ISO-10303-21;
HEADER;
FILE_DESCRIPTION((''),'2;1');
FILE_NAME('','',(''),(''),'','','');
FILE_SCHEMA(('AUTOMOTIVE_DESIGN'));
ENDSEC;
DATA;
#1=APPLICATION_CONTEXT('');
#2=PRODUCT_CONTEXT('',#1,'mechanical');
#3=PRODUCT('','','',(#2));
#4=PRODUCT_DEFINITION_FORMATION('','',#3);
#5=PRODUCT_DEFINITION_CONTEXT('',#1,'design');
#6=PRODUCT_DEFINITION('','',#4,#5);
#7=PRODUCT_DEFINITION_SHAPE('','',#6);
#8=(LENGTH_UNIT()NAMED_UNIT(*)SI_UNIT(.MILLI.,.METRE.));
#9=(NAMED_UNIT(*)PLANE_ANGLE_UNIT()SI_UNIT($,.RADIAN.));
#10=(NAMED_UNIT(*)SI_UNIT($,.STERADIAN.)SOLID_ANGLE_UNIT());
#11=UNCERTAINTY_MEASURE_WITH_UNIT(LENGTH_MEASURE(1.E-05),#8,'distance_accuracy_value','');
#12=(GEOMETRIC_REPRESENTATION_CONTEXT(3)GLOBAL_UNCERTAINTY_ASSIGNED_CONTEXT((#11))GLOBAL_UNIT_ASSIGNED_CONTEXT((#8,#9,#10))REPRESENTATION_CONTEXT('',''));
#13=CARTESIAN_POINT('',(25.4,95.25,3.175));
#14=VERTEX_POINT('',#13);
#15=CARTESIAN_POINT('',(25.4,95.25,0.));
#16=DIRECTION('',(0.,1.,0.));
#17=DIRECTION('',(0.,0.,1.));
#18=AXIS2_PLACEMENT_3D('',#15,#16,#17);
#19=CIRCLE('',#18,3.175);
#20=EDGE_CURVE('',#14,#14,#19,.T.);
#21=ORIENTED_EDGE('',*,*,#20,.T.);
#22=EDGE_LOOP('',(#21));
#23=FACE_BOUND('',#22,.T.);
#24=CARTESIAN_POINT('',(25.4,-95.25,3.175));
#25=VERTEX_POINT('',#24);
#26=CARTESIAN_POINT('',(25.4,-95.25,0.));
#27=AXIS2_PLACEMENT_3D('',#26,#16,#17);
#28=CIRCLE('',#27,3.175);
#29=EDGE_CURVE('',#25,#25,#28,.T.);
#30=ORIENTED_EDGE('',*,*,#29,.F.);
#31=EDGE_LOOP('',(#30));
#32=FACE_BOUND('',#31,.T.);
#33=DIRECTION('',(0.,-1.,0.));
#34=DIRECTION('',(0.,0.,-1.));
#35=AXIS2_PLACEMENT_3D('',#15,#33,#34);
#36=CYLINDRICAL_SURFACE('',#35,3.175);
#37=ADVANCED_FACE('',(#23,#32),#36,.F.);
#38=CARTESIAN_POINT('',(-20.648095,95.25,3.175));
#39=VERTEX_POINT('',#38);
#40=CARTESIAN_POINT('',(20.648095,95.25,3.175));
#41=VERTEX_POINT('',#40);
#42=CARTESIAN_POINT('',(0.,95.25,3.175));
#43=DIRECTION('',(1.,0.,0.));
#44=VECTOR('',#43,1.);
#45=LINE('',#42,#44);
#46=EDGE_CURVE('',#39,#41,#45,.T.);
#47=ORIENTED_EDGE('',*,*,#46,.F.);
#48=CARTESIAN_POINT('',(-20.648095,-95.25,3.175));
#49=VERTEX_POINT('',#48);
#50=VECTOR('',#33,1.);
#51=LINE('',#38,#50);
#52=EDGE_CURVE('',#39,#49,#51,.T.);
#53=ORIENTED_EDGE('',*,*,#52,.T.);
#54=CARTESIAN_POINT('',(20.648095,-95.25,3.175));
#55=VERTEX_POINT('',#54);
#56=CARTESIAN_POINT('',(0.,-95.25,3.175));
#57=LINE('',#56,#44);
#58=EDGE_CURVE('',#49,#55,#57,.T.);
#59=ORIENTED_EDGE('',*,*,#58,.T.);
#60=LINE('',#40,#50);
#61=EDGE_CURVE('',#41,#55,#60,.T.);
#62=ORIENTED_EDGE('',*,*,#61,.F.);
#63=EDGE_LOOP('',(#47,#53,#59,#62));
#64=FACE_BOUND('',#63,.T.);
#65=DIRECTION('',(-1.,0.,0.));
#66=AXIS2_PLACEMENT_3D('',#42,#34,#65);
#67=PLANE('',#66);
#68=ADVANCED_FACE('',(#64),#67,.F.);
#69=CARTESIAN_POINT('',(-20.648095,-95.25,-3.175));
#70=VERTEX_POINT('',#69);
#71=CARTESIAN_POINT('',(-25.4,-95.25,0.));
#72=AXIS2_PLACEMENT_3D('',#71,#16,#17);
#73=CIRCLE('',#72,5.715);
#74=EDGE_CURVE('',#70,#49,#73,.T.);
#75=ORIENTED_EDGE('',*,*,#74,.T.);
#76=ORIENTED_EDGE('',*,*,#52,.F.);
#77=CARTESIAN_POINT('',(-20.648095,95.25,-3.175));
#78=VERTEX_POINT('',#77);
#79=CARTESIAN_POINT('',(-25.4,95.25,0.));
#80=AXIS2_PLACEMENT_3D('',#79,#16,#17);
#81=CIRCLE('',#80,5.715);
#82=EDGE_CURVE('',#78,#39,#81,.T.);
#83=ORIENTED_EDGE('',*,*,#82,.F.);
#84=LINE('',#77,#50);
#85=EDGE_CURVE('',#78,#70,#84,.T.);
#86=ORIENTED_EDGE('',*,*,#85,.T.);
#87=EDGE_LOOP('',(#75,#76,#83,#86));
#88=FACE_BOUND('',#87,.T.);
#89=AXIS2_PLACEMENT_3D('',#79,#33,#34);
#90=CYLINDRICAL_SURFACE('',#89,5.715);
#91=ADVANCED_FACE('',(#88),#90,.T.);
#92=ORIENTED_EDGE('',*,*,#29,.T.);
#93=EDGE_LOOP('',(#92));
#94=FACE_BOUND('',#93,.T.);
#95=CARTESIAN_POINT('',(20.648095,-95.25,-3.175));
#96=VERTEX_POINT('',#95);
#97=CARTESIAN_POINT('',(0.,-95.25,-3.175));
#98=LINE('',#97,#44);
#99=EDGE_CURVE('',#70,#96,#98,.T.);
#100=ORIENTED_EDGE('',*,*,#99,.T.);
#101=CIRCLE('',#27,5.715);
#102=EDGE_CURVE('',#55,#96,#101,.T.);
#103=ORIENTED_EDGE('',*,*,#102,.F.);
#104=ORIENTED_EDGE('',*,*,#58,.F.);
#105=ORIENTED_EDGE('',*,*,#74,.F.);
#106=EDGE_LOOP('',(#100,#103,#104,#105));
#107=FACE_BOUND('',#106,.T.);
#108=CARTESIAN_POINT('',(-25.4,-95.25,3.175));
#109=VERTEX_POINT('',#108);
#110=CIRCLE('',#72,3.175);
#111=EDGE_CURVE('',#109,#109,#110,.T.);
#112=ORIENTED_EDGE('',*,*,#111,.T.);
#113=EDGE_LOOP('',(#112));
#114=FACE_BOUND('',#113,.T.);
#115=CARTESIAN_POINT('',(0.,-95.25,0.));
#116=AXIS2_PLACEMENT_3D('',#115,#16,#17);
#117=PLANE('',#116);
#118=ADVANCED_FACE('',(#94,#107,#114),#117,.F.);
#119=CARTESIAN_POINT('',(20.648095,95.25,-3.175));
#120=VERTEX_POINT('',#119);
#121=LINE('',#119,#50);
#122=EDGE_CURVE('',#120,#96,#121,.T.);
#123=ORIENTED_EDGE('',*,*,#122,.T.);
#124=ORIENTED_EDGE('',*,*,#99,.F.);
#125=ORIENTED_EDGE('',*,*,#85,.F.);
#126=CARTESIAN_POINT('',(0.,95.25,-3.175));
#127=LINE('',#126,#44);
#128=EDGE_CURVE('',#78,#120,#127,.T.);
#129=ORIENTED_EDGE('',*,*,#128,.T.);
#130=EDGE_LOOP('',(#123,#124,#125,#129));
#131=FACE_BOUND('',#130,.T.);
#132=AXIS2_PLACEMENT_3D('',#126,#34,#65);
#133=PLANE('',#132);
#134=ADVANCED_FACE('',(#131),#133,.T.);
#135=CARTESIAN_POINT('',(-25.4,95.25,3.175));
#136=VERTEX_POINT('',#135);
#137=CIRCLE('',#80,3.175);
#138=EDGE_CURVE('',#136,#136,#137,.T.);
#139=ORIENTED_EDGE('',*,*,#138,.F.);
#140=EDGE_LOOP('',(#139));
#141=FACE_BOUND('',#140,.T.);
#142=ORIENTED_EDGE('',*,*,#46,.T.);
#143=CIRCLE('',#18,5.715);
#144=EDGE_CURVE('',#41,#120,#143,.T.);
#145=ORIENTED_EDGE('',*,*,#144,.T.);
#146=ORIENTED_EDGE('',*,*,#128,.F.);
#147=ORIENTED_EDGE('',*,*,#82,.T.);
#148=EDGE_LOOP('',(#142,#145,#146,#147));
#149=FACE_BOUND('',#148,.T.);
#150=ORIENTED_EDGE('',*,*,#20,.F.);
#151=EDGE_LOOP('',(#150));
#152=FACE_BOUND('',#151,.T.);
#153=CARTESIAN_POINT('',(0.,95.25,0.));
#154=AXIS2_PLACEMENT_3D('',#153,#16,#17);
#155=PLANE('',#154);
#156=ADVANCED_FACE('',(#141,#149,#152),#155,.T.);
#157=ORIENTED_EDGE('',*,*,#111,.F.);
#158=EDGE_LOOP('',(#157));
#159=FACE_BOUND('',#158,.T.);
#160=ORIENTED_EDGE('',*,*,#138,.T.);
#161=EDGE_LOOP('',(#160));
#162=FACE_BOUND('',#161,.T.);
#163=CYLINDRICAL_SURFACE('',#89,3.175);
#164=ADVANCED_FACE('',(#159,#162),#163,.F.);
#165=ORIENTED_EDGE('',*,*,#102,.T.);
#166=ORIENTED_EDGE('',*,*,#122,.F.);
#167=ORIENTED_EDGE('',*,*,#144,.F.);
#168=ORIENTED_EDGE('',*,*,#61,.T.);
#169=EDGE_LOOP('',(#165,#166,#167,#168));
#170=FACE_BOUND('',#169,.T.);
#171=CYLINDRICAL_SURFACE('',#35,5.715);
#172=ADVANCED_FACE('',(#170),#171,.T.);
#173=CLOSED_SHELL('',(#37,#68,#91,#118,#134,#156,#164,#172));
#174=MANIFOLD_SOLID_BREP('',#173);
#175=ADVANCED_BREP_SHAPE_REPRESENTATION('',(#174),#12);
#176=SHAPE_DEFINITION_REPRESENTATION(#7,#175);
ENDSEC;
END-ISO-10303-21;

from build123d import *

# Parameters (mm, degrees)
SKETCH1_R           = 3.175
BOSS_EXTRUDE1_DEPTH = 95.25


with BuildPart() as part:
    # Sketch1 → Boss-Extrude1 (new body, symmetric)
    with BuildSketch(Plane(origin=(0, 0, 0), x_dir=(1, 0, 0), z_dir=(0, 1, 0))):
        with BuildLine():
            ThreePointArc((20.648095119, -3.175), (31.115, 0), (20.648095119, 3.175))
            Line((20.648095119, 3.175), (-20.648095119, 3.175))
            ThreePointArc((-20.648095119, 3.175), (-31.115, 0), (-20.648095119, -3.175))
            Line((-20.648095119, -3.175), (20.648095119, -3.175))
        make_face()
        with Locations((-25.4, 0)):
            Circle(SKETCH1_R, mode=Mode.SUBTRACT)
        with Locations((25.4, 0)):
            Circle(SKETCH1_R, mode=Mode.SUBTRACT)
    extrude(amount=BOSS_EXTRUDE1_DEPTH, both=True)


solid = part.part
